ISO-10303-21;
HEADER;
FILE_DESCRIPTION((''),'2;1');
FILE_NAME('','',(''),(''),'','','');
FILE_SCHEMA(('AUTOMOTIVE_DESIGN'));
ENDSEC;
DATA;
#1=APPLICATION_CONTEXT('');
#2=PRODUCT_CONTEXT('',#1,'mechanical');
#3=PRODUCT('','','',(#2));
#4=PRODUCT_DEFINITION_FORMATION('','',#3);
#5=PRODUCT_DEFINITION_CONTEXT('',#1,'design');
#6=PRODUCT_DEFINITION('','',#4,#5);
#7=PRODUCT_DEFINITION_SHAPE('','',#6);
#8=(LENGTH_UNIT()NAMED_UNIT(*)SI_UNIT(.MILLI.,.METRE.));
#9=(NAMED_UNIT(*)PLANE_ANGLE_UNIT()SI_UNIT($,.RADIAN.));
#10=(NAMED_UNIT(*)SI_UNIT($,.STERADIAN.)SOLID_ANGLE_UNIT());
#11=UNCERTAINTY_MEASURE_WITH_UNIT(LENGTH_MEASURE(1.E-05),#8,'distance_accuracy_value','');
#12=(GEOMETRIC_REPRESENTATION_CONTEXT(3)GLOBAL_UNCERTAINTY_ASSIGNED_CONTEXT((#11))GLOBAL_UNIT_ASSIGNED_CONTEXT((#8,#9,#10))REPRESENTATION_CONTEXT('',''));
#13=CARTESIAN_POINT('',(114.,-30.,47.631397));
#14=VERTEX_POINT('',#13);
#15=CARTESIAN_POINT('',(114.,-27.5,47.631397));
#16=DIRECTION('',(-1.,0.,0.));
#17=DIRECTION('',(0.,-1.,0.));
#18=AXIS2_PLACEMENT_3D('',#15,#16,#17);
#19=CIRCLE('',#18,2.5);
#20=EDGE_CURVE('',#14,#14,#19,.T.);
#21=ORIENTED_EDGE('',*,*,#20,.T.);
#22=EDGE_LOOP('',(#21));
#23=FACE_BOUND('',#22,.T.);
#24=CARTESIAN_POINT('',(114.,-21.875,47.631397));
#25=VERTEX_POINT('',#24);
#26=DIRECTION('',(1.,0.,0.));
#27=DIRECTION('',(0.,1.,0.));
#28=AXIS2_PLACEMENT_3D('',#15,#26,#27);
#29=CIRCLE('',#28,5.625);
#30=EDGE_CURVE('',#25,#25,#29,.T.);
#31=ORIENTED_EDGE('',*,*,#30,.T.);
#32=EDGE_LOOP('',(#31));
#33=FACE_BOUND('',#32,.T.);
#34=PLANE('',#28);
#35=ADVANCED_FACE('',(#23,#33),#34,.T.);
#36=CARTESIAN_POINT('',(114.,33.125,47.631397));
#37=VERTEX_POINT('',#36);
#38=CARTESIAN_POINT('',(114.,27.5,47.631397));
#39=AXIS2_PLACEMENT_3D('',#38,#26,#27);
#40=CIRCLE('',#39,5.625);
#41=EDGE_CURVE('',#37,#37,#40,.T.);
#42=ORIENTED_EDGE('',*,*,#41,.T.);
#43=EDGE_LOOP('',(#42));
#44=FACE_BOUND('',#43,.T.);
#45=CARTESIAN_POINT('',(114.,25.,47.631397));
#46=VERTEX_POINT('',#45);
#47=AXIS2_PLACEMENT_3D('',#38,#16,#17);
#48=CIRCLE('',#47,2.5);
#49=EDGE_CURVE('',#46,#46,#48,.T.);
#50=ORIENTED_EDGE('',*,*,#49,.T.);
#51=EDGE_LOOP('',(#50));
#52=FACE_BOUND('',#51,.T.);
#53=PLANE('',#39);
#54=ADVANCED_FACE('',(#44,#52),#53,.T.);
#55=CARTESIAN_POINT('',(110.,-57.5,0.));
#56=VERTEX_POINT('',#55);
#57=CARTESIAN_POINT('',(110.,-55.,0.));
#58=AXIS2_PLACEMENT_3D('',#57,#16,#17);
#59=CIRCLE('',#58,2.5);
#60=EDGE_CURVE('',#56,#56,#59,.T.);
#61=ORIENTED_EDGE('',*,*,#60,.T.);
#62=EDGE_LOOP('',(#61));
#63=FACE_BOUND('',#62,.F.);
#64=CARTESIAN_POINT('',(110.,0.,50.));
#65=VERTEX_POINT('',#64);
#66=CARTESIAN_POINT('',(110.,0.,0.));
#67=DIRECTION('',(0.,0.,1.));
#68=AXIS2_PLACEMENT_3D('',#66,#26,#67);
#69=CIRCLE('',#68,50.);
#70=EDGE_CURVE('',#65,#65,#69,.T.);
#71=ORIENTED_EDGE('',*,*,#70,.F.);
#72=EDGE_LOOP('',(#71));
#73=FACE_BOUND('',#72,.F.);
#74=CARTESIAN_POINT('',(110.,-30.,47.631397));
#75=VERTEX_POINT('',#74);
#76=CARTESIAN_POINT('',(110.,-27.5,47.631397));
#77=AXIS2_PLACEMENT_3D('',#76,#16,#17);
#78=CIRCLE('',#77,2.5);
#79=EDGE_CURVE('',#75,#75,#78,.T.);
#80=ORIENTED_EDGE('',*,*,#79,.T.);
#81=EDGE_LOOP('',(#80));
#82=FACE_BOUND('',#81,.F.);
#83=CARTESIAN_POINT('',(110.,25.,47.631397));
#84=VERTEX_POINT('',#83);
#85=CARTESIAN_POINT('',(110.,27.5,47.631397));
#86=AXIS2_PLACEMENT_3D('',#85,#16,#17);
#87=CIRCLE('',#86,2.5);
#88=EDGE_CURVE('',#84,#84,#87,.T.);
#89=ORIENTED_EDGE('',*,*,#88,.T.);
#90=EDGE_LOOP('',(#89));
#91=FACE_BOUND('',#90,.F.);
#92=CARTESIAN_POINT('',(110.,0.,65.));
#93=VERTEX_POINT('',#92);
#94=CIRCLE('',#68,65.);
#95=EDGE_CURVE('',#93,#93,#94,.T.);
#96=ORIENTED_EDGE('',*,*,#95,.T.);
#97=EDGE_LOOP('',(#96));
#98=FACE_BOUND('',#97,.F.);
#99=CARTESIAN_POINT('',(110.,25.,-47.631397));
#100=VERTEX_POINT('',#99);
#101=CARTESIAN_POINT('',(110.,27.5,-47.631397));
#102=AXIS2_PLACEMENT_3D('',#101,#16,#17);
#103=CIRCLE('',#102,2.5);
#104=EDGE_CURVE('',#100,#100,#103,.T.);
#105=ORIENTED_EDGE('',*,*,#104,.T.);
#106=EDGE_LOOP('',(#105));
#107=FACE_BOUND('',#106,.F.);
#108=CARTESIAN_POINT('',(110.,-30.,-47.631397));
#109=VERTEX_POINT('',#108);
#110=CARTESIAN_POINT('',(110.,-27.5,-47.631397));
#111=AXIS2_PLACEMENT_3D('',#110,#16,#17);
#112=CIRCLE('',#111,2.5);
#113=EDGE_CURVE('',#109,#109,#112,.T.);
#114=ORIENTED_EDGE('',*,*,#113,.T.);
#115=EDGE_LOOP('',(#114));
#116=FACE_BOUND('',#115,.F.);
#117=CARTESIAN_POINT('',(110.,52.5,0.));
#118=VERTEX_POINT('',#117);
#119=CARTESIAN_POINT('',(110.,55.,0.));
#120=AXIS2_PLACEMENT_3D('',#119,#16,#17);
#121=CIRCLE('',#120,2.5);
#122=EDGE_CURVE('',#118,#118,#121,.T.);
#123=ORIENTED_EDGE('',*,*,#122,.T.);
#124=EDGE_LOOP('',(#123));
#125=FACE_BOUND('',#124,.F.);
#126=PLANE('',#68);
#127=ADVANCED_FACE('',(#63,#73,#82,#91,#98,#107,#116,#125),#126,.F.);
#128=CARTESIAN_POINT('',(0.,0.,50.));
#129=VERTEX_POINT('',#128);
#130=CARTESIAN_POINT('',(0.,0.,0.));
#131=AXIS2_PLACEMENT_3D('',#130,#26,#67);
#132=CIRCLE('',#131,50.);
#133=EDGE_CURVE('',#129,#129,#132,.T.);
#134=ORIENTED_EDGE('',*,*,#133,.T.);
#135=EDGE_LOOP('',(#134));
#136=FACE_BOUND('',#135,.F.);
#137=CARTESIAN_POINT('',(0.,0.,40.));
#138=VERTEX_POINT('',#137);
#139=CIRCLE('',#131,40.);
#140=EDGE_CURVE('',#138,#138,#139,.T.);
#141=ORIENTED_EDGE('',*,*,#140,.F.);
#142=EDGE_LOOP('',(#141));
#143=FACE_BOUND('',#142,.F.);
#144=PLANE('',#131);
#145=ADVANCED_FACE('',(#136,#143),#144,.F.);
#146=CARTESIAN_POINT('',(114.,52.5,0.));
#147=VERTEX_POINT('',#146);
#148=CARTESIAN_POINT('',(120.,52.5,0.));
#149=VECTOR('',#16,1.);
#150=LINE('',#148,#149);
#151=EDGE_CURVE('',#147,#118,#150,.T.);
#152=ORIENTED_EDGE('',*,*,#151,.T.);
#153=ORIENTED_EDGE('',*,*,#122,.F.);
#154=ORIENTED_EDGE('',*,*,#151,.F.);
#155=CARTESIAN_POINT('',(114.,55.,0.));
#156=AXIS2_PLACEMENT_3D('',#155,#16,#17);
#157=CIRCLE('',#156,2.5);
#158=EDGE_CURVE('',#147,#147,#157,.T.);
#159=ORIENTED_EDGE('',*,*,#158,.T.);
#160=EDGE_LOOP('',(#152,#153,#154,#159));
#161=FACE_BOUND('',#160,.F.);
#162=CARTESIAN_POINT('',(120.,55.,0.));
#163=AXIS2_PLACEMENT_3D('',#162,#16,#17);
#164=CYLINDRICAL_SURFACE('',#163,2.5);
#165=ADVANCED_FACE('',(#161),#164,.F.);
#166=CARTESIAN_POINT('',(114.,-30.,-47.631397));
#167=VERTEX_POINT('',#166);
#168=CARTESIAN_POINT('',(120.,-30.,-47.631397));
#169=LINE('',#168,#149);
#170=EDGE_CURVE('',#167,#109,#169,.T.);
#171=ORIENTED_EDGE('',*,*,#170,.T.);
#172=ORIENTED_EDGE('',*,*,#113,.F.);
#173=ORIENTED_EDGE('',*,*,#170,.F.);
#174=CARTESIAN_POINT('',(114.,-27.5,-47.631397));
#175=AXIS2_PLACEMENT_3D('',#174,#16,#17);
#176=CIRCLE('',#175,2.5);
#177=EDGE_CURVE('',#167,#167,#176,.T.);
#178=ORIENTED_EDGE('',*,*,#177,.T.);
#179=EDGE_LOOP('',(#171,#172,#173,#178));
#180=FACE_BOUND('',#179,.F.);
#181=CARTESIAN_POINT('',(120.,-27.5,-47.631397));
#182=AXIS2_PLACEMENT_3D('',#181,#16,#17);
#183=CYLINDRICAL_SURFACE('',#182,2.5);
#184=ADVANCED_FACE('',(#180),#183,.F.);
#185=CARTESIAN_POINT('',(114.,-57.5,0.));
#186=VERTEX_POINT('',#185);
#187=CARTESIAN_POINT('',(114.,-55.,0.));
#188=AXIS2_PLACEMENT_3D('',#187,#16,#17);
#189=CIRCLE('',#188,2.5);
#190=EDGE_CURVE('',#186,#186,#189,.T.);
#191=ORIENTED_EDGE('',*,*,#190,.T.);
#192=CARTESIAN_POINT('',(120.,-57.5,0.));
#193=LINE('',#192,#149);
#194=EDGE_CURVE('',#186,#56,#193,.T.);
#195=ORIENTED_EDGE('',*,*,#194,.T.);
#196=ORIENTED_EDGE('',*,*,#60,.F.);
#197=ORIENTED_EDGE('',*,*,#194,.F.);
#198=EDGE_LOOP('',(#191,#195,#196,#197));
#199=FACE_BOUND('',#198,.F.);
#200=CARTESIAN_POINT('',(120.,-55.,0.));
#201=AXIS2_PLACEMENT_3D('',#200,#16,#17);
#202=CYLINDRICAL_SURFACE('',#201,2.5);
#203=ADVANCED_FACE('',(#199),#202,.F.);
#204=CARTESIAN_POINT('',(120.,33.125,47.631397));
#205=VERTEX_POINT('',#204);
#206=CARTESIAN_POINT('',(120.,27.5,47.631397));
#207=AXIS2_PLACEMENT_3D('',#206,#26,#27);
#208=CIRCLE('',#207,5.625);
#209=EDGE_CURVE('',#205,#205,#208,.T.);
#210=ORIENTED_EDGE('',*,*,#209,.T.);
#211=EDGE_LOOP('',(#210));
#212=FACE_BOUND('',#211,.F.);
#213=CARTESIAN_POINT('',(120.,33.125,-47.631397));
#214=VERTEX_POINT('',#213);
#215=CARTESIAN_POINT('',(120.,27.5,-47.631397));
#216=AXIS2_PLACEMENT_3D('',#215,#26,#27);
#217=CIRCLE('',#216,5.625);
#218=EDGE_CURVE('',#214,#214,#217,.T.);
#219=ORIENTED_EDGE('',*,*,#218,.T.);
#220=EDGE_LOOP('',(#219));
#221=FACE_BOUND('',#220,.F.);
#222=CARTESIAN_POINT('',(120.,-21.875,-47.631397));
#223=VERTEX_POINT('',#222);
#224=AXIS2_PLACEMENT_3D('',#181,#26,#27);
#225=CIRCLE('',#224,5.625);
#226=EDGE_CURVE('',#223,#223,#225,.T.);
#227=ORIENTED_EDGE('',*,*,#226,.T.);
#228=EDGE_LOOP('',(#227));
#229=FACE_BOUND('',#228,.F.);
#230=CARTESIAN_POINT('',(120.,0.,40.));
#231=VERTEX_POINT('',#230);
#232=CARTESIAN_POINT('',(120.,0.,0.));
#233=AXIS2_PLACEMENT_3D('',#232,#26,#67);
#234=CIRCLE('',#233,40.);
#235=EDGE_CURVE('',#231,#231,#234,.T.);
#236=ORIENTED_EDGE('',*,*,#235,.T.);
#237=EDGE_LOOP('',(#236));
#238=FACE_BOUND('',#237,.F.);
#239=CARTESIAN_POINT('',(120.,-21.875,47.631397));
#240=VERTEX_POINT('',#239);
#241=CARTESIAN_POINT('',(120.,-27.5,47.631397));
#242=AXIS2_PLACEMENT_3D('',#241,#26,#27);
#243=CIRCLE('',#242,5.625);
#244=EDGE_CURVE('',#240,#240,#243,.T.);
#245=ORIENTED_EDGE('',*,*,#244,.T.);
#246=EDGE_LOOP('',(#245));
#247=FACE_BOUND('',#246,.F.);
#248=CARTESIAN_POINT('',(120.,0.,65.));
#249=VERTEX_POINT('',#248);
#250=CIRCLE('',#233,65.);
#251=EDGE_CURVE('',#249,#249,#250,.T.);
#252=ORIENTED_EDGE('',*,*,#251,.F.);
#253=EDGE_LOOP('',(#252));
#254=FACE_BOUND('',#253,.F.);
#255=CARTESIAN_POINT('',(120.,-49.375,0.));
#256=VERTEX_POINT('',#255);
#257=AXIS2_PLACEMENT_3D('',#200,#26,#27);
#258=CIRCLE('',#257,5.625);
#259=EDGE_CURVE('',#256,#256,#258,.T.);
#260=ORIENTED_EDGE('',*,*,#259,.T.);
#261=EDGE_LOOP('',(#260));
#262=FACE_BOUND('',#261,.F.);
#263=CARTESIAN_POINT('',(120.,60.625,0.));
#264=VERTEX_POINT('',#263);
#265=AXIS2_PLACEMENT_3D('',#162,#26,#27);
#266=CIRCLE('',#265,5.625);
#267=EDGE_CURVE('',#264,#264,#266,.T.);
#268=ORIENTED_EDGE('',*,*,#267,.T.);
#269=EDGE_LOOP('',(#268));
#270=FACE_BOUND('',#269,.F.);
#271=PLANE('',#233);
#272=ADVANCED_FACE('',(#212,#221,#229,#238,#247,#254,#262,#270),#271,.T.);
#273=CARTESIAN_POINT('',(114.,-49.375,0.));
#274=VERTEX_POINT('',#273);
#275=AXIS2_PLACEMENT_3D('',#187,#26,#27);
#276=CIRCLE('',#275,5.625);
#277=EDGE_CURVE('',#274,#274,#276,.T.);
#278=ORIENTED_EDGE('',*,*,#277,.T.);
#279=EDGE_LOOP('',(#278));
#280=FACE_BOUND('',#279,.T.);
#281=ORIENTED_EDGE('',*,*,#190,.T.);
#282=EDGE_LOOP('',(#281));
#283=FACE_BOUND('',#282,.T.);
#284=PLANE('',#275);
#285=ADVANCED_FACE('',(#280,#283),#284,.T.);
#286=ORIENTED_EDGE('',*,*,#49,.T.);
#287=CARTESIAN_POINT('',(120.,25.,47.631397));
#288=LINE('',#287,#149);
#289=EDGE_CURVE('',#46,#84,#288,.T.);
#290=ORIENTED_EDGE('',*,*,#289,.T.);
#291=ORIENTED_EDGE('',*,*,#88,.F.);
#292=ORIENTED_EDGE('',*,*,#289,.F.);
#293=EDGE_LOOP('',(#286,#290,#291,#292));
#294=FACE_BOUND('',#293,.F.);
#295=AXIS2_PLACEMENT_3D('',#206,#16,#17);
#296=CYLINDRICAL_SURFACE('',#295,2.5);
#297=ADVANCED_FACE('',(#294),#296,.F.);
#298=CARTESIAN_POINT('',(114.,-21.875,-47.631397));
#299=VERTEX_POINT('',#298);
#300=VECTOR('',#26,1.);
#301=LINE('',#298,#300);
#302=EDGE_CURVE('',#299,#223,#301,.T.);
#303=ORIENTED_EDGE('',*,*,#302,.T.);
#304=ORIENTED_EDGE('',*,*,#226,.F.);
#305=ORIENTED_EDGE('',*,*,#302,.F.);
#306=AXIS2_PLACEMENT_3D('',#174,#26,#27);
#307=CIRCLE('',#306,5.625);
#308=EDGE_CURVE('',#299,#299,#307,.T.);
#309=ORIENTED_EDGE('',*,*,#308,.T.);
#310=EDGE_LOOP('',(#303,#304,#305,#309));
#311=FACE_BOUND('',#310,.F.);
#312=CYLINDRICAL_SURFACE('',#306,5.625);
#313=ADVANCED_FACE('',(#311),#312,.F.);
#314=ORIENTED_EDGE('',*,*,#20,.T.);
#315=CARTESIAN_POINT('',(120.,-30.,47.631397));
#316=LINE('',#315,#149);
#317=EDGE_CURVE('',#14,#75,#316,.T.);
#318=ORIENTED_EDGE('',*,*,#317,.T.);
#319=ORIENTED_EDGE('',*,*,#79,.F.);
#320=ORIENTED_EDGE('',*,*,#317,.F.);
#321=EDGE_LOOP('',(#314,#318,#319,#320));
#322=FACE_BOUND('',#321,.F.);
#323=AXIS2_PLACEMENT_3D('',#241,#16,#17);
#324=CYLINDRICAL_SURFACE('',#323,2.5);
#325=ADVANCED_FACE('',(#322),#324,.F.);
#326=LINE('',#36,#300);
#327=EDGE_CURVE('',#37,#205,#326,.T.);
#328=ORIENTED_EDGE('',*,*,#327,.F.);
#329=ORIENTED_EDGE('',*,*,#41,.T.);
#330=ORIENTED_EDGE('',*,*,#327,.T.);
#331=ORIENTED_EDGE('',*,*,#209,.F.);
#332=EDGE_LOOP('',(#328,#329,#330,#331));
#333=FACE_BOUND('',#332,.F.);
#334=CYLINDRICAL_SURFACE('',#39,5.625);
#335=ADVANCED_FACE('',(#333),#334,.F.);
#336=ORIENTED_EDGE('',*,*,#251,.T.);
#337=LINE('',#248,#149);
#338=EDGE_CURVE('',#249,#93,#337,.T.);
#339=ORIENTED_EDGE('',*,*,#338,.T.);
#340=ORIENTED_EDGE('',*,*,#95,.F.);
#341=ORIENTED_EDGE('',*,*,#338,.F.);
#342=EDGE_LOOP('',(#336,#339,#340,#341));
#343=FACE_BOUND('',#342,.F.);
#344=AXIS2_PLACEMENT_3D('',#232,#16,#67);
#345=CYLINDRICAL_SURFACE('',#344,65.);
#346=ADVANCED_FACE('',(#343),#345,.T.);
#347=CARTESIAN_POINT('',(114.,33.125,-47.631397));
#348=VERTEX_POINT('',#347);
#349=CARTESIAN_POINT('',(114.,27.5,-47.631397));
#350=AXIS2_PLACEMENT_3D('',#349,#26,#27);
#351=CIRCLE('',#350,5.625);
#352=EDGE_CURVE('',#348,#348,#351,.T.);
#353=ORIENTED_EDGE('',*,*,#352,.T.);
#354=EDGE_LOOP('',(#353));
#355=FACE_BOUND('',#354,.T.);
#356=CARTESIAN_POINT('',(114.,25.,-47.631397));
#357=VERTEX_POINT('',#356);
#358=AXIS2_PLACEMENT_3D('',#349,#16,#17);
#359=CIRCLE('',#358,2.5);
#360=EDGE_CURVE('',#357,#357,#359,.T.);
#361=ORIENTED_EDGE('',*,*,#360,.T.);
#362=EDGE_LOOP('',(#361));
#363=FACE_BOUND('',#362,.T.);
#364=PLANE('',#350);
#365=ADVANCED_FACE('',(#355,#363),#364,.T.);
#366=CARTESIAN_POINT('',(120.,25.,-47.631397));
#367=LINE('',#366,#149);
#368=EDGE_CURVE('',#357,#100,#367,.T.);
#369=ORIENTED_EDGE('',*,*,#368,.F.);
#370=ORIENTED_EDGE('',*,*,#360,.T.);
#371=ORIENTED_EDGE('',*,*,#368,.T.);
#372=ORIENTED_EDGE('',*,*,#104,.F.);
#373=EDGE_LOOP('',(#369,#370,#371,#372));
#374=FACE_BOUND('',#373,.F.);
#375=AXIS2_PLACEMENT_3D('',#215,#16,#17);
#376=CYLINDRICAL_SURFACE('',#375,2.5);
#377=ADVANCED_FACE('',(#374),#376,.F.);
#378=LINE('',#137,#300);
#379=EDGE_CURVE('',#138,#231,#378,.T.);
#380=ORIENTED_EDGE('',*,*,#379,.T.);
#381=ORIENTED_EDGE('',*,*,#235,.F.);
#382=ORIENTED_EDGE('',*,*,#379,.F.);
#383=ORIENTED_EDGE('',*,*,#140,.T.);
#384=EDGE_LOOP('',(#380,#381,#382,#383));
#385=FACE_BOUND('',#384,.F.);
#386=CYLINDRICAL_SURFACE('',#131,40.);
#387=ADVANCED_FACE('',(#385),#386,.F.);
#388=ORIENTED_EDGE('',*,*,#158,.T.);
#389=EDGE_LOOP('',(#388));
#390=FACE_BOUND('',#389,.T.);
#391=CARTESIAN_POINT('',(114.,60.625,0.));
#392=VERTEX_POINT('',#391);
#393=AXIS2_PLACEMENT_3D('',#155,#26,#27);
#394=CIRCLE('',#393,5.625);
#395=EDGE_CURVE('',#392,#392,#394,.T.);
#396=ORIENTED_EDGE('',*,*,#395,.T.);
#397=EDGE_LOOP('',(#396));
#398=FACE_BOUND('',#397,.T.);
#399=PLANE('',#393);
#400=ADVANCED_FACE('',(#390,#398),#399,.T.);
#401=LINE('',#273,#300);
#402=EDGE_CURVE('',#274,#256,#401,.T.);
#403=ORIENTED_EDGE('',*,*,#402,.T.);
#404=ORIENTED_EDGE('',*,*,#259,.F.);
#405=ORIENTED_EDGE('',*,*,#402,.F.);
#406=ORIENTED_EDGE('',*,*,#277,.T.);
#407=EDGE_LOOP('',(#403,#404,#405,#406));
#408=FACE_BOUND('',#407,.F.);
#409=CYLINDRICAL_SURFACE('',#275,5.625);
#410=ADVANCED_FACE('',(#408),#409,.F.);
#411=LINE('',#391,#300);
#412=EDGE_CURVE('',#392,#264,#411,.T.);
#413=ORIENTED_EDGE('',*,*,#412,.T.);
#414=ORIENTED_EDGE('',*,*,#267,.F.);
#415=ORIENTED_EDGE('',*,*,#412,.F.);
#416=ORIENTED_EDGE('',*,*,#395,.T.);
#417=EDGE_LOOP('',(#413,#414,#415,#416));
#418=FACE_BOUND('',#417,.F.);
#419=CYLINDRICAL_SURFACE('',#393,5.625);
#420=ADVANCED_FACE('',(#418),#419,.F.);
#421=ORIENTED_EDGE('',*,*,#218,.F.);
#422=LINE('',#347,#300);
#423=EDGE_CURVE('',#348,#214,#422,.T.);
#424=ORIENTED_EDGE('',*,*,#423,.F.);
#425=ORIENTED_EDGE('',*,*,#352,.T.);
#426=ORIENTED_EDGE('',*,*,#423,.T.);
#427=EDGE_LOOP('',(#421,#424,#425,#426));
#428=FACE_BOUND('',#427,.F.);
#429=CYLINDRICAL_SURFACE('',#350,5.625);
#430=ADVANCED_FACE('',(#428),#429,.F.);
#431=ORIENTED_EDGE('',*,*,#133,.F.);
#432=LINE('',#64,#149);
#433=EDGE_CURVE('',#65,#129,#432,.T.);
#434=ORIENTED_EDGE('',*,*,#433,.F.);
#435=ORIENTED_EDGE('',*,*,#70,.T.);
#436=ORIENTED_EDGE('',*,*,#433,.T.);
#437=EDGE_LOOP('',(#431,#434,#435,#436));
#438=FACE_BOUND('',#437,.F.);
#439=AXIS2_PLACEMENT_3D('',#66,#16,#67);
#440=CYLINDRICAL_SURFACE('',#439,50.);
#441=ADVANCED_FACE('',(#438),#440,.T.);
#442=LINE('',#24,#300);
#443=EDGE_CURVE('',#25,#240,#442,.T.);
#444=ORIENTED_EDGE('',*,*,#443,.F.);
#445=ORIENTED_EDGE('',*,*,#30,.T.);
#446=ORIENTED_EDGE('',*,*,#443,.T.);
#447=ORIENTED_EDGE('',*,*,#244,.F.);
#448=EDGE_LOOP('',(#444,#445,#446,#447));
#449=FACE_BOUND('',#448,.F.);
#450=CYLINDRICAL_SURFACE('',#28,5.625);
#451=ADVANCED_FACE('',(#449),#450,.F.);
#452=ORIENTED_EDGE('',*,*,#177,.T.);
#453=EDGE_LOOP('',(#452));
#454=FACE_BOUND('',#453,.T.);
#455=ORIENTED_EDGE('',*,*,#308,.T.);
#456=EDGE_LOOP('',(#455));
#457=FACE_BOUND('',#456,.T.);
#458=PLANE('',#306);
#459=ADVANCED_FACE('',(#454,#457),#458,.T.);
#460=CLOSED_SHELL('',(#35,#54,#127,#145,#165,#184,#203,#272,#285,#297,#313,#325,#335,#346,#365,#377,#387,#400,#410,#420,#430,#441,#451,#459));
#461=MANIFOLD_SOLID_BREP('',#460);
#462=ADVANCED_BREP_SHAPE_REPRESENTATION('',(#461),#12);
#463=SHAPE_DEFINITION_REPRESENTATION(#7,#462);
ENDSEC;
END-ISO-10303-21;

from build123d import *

# Parameters (mm, degrees)
F3_D           = 5
F3_CBORE_D     = 11.25
F3_CBORE_DEPTH = 6


with BuildPart() as f1:
    # F0 (on Front) → F1 (revolve)
    with BuildSketch(Plane.XZ):
        Polygon((0, 50), (0, 40), (120, 40), (120, 65), (110, 65), (110, 50), align=None)
    revolve(axis=Axis((47.715056873, 0, 0), (1, 0, 0)))

    # F3 (through all)
    with Locations(Plane.YZ.offset(120)):
        with Locations((-27.5, 47.6313972081), (27.5, 47.6313972081), (55, 0), (27.5, -47.6313972081), (-27.5, -47.6313972081), (-55, 0)):
            CounterBoreHole(F3_D / 2, F3_CBORE_D / 2, F3_CBORE_DEPTH)


solid = f1.part
